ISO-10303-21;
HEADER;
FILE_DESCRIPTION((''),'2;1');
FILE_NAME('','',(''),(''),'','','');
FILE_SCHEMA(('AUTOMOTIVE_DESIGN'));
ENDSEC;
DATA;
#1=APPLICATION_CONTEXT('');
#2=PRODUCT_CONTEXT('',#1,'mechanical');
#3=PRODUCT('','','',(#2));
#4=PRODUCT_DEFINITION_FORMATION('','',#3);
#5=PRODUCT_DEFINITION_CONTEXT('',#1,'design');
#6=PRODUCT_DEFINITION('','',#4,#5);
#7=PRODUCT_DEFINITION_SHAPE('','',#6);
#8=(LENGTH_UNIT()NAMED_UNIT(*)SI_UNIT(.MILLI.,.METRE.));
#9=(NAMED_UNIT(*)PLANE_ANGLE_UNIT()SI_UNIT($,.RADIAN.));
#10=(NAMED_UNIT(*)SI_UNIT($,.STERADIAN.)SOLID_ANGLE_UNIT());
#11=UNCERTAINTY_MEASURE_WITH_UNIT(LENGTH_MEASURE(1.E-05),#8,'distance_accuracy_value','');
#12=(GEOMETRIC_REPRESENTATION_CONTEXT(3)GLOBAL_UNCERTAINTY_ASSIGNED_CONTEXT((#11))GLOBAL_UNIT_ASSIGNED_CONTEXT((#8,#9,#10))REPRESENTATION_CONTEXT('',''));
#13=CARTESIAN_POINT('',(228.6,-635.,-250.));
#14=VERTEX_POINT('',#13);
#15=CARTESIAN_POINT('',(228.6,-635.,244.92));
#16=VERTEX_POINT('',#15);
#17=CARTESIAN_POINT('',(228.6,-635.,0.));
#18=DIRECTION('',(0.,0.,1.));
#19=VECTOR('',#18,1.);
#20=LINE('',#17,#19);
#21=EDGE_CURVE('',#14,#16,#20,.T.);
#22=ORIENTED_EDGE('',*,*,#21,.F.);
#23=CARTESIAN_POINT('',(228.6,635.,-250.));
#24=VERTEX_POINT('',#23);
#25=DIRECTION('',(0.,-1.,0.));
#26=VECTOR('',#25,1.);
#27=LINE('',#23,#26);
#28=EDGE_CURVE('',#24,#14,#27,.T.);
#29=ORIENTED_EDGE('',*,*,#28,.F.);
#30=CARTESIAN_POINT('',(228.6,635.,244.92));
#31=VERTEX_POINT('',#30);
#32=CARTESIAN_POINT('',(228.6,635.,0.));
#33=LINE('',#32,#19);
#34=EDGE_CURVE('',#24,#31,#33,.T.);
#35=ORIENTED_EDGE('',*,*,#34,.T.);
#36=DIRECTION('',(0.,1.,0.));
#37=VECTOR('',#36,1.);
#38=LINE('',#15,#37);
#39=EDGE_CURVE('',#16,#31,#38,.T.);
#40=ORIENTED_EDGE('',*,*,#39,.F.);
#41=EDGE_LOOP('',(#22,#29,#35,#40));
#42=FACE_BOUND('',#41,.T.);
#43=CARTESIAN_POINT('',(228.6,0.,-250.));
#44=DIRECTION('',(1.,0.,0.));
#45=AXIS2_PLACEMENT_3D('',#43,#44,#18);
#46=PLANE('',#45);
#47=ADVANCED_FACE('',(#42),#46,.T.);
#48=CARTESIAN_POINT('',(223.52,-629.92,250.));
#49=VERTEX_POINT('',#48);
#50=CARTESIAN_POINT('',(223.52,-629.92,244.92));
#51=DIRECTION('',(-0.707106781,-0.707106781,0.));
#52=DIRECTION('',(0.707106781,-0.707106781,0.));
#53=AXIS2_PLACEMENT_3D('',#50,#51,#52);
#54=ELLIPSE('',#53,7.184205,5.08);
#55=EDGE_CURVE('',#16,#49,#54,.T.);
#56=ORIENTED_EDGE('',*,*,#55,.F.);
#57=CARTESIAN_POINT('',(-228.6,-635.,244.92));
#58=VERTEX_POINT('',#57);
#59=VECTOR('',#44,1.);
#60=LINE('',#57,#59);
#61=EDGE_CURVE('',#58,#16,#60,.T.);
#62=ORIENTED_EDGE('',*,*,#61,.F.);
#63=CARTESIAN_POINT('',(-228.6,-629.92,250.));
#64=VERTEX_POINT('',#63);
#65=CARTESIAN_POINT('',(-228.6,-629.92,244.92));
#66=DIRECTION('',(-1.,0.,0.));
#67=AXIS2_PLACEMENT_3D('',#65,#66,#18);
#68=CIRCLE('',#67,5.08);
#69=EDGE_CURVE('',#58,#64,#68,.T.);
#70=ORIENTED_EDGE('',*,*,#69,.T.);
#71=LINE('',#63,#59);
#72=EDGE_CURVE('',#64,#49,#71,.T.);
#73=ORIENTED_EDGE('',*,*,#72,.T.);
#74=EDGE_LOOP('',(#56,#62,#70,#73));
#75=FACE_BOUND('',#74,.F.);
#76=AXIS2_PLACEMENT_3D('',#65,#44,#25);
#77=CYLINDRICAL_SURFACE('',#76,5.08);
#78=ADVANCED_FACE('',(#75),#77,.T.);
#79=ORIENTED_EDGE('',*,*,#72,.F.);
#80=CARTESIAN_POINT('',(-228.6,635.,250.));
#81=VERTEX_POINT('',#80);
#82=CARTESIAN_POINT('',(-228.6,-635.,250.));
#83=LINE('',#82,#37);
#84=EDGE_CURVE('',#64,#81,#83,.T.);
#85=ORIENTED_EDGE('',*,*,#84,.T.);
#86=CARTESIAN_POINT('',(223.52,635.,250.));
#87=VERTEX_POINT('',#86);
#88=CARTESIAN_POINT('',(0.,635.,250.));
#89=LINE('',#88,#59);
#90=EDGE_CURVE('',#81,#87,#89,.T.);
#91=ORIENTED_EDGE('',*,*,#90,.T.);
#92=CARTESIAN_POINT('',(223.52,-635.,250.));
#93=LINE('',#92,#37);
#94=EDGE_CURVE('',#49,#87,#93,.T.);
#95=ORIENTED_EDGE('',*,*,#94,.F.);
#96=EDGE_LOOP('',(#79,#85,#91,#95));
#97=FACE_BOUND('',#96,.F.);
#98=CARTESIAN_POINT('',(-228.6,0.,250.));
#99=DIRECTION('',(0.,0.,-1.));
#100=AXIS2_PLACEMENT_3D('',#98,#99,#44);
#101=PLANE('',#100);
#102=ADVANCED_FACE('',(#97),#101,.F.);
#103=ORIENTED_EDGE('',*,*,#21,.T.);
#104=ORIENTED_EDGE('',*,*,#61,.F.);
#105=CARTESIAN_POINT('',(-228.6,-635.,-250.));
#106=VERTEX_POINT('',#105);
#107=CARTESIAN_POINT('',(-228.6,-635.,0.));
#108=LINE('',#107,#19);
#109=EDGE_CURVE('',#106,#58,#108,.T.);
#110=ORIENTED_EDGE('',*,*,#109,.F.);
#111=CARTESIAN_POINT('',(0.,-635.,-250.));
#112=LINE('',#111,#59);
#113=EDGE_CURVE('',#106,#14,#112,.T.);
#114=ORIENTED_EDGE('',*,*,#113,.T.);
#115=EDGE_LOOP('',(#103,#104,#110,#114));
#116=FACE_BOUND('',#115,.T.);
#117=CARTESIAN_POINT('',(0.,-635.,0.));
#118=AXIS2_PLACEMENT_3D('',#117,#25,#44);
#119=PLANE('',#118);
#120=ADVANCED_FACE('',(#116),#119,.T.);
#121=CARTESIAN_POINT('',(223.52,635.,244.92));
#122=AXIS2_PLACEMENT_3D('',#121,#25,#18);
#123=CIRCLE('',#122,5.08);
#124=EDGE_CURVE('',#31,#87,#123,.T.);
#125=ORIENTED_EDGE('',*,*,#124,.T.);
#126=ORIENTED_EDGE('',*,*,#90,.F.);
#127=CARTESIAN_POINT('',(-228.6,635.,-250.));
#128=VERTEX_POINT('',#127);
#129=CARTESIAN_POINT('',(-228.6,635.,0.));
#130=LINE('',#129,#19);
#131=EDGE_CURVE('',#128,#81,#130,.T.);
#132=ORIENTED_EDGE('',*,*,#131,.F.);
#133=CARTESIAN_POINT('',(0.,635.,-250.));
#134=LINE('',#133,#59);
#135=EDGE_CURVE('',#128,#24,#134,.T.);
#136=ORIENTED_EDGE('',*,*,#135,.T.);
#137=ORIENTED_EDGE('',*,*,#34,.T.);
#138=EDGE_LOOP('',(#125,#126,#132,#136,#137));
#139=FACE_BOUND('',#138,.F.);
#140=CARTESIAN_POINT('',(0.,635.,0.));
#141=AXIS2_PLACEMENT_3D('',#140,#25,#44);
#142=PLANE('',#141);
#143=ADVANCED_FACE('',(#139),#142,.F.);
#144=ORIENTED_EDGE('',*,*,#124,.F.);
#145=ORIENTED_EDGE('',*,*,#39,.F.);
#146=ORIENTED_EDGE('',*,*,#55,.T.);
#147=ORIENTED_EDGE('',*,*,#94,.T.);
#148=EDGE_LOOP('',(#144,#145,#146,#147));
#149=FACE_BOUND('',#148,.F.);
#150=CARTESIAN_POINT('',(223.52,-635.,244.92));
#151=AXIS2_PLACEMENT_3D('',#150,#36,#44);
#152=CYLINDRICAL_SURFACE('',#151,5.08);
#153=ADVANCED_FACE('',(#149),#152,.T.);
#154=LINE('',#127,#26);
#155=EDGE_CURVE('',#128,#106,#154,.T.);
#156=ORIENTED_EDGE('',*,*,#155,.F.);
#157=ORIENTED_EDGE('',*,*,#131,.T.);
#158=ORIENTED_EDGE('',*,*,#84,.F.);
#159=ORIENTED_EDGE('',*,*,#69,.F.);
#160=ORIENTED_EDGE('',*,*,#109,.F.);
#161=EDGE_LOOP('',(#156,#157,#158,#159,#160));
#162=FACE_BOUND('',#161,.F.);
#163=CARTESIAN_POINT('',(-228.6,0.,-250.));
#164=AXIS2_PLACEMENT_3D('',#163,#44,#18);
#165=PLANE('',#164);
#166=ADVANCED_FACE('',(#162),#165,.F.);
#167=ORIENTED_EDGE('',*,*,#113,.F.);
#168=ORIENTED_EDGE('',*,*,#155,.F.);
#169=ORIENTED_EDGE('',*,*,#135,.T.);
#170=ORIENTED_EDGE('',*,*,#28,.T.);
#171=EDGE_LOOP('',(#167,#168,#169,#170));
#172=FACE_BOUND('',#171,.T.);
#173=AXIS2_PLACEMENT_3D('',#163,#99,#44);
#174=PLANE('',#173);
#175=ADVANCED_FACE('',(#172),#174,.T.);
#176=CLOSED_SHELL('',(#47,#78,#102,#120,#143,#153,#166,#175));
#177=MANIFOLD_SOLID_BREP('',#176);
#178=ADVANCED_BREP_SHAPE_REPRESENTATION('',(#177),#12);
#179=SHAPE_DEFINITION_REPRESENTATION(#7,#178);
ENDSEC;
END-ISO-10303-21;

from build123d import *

# Parameters (mm, degrees)
F0_W     = 457.2
F0_H     = 500
F1_DEPTH = 635
F2_R     = 5.08


with BuildPart() as f1:
    # F0 (on Front) → F1 (new body, symmetric)
    with BuildSketch(Plane.XZ):
        Rectangle(F0_W, F0_H)
    extrude(amount=F1_DEPTH, both=True)

    # F2
    f2_edges = [f1.edges().sort_by_distance(p)[0] for p in [
        (0, -635, 250),
        (228.6, 0, 250),
    ]]
    fillet(f2_edges, radius=F2_R)


solid = f1.part
